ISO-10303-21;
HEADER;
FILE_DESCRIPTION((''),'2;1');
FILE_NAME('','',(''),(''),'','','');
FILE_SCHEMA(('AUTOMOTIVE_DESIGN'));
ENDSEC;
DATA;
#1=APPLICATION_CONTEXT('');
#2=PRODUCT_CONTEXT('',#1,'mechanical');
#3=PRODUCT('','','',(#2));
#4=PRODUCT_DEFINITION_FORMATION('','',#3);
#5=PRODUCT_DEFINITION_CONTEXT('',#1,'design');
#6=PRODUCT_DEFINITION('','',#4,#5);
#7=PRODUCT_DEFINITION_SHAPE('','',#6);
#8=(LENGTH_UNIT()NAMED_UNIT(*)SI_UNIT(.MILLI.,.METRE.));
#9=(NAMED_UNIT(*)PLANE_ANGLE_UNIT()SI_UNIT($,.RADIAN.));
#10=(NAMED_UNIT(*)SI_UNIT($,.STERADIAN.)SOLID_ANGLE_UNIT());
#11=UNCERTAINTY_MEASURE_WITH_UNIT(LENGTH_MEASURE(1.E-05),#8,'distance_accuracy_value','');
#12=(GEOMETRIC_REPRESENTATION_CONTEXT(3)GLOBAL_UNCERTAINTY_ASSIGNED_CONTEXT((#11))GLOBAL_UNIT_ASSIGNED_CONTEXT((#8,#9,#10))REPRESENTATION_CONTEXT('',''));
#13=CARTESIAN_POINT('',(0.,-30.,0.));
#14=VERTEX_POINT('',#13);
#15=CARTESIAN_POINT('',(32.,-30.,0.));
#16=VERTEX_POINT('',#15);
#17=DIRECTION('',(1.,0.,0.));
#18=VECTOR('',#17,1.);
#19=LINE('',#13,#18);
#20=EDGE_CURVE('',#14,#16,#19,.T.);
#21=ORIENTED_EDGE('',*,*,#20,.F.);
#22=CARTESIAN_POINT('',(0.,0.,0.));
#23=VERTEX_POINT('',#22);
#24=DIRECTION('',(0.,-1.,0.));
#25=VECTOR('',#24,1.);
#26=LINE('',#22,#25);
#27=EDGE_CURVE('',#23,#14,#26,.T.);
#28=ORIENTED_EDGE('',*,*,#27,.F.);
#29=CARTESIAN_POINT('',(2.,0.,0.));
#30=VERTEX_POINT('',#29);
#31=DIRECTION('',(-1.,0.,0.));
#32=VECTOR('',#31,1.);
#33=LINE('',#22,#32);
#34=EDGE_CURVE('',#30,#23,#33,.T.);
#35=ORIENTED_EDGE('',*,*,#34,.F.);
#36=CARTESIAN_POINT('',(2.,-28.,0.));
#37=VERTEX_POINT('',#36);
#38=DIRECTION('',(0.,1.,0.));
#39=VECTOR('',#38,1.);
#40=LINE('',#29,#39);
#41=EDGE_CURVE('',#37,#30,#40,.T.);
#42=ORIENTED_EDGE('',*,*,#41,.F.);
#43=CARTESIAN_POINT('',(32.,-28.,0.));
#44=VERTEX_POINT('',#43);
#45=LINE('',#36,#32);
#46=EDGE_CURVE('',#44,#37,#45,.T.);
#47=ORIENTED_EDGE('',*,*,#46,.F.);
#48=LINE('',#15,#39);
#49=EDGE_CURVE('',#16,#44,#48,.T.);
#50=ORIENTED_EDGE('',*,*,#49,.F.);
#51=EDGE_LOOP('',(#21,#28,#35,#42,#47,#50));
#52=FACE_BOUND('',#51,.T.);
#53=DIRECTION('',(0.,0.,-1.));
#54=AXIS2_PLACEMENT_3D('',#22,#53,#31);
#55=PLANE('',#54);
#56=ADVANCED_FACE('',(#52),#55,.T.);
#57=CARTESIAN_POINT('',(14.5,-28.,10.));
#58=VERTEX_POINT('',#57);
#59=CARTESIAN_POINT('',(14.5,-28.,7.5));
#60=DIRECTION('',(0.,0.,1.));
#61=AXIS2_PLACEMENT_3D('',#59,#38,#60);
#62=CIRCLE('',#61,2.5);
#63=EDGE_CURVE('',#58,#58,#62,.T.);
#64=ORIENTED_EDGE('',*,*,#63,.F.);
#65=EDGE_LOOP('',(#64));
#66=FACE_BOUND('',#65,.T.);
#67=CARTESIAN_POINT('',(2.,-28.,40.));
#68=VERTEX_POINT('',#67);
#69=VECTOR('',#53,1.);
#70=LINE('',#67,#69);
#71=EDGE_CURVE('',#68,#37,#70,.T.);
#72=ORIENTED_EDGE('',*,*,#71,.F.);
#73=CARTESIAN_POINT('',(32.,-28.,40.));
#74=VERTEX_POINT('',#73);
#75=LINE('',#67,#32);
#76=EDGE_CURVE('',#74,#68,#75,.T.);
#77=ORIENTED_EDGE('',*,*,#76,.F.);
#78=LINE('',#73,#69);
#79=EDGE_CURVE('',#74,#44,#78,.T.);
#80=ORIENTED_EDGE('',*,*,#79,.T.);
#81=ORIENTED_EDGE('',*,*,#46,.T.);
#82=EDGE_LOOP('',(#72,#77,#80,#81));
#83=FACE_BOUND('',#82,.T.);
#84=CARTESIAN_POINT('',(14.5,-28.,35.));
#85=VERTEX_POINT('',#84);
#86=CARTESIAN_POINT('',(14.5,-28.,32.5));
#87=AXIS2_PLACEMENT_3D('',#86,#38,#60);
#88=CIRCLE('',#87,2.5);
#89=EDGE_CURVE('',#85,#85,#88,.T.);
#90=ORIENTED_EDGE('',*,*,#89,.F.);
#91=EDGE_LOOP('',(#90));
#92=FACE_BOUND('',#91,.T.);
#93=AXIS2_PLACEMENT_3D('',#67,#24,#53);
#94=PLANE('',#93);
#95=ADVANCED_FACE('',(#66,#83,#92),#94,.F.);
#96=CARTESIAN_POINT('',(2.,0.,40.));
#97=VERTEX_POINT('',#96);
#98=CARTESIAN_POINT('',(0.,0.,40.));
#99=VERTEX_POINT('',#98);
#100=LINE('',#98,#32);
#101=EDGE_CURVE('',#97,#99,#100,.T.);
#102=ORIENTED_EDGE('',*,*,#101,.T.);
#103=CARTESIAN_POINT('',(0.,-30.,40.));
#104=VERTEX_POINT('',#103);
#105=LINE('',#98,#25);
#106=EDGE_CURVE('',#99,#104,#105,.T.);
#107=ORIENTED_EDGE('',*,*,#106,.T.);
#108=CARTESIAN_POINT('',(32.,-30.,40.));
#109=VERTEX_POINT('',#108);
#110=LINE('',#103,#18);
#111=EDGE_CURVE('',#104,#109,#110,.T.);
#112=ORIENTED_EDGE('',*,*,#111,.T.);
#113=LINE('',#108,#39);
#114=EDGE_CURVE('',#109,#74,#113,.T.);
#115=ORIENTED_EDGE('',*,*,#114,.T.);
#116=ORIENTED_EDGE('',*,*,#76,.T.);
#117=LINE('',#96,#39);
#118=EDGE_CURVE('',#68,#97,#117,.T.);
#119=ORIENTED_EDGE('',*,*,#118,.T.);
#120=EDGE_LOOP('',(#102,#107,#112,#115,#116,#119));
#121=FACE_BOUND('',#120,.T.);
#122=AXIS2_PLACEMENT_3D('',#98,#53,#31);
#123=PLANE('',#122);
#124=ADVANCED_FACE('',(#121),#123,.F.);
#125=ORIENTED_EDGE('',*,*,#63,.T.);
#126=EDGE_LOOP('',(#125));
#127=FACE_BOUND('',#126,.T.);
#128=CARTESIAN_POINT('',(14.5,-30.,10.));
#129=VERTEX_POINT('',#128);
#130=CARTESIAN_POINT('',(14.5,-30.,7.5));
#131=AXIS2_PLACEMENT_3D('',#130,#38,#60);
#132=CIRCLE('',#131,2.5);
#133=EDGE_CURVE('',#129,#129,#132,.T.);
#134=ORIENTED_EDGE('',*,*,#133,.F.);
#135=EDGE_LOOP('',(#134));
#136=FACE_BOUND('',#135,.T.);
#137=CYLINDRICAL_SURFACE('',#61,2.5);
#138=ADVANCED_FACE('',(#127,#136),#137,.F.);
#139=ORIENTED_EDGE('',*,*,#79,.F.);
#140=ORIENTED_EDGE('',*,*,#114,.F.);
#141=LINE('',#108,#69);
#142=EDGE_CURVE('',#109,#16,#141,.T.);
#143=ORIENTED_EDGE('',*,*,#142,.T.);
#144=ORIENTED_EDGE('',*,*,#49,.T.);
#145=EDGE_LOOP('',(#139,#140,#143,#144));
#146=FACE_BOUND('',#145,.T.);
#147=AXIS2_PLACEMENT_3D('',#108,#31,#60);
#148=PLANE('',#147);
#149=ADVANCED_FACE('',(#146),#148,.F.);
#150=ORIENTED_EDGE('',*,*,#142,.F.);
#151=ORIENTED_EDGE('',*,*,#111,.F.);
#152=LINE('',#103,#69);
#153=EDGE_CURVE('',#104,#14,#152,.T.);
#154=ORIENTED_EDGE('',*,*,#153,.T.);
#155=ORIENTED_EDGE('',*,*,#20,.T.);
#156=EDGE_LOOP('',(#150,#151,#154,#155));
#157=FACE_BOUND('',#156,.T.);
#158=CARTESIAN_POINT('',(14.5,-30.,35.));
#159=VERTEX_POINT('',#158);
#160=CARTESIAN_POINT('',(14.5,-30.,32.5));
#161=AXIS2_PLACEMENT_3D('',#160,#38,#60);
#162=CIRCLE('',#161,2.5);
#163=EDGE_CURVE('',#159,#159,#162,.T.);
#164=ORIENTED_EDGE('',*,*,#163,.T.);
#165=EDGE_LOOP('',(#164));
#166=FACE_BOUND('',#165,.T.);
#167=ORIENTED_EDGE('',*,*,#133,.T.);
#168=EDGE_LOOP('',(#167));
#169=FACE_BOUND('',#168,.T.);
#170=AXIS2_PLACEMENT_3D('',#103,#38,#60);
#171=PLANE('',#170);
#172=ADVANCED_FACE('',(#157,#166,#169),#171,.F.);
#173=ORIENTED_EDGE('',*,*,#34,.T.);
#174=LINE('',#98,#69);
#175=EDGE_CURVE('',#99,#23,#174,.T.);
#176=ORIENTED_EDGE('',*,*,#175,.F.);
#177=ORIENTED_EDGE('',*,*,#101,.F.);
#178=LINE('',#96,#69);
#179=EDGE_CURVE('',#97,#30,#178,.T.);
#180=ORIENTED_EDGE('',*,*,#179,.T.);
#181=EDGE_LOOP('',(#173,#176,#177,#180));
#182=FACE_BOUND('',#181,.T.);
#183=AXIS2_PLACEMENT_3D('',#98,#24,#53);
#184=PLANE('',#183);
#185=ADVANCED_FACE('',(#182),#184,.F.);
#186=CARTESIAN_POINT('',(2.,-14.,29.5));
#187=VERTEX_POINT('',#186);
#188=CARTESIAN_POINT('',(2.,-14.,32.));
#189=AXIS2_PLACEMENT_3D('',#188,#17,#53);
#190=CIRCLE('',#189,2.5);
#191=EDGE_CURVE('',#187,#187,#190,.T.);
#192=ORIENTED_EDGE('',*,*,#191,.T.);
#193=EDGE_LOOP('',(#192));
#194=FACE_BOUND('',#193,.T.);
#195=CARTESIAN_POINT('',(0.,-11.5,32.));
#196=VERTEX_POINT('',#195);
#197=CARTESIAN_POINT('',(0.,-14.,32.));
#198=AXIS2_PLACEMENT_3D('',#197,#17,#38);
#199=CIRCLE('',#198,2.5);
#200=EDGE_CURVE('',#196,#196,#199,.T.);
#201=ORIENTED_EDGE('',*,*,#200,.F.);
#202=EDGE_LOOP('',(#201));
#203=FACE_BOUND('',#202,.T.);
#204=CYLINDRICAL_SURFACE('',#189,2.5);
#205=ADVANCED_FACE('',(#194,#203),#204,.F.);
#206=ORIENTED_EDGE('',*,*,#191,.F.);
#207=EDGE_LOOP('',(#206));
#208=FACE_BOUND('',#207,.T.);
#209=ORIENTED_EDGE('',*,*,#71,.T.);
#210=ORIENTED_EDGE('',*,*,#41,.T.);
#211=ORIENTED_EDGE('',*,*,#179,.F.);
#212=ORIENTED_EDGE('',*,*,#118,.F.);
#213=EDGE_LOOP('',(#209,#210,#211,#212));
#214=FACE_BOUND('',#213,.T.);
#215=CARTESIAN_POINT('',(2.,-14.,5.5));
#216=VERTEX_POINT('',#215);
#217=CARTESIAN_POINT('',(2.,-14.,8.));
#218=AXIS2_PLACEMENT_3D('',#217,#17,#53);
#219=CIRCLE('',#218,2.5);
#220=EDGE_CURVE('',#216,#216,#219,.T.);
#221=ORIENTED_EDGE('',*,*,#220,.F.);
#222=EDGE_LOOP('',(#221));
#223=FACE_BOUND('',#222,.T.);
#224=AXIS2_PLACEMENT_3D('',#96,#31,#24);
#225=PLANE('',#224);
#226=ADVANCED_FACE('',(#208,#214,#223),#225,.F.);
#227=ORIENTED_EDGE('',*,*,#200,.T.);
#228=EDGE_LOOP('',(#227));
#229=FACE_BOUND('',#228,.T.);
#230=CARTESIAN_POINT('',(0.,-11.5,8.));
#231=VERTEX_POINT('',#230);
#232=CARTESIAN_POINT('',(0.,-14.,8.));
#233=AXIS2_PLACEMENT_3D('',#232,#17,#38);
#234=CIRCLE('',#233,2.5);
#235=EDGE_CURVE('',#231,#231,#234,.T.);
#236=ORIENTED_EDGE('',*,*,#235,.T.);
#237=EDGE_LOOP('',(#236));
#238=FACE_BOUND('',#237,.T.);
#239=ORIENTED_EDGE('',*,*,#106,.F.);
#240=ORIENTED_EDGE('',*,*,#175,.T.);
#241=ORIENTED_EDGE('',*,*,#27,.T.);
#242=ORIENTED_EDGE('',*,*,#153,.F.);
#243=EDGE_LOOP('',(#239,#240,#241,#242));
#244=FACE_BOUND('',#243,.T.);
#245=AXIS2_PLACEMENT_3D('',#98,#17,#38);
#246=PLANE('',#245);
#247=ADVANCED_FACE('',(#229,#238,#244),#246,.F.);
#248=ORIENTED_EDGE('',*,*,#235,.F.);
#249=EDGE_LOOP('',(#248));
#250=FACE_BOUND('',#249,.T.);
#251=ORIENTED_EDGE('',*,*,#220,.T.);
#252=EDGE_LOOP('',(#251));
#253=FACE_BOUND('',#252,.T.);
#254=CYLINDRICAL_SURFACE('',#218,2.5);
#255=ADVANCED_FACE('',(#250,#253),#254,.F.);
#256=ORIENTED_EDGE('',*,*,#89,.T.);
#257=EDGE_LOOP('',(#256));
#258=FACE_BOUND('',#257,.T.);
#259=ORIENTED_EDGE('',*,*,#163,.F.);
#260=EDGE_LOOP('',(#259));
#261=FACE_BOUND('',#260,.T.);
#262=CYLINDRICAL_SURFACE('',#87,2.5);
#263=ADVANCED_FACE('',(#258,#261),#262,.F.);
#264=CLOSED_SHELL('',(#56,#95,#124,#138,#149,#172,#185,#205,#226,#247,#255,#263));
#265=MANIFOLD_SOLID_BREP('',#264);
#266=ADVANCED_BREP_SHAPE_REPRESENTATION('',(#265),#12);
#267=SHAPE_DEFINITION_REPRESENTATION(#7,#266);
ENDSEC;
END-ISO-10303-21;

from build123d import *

# Parameters (mm, degrees)
BOSS_EXTRUDE1_DEPTH         = 40
TAP_DRILL_FOR_M6X1_0_TAP1_D = 5
TAP_DRILL_FOR_M6X1_0_TAP2_D = 5


with BuildPart() as part:
    # Sketch1 → Boss-Extrude1 (new body)
    with BuildSketch(Plane.XY):
        Polygon((0, 0), (0, -30), (32, -30), (32, -28), (2, -28), (2, 0), align=None)
    extrude(amount=BOSS_EXTRUDE1_DEPTH)

    # Tap Drill for M6x1.0 Tap1 (through all)
    with Locations(Plane(origin=(0, -28, 0), x_dir=(1, 0, 0), z_dir=(0, 1, 0))):
        with Locations((14.5, -7.5), (14.5, -32.5)):
            Hole(TAP_DRILL_FOR_M6X1_0_TAP1_D / 2)

    # Tap Drill for M6x1.0 Tap2 (through all)
    with Locations(Plane(origin=(2, 0, 0), x_dir=(0, 0, -1), z_dir=(1, 0, 0))):
        with Locations((-32, -14), (-8, -14)):
            Hole(TAP_DRILL_FOR_M6X1_0_TAP2_D / 2)


solid = part.part
